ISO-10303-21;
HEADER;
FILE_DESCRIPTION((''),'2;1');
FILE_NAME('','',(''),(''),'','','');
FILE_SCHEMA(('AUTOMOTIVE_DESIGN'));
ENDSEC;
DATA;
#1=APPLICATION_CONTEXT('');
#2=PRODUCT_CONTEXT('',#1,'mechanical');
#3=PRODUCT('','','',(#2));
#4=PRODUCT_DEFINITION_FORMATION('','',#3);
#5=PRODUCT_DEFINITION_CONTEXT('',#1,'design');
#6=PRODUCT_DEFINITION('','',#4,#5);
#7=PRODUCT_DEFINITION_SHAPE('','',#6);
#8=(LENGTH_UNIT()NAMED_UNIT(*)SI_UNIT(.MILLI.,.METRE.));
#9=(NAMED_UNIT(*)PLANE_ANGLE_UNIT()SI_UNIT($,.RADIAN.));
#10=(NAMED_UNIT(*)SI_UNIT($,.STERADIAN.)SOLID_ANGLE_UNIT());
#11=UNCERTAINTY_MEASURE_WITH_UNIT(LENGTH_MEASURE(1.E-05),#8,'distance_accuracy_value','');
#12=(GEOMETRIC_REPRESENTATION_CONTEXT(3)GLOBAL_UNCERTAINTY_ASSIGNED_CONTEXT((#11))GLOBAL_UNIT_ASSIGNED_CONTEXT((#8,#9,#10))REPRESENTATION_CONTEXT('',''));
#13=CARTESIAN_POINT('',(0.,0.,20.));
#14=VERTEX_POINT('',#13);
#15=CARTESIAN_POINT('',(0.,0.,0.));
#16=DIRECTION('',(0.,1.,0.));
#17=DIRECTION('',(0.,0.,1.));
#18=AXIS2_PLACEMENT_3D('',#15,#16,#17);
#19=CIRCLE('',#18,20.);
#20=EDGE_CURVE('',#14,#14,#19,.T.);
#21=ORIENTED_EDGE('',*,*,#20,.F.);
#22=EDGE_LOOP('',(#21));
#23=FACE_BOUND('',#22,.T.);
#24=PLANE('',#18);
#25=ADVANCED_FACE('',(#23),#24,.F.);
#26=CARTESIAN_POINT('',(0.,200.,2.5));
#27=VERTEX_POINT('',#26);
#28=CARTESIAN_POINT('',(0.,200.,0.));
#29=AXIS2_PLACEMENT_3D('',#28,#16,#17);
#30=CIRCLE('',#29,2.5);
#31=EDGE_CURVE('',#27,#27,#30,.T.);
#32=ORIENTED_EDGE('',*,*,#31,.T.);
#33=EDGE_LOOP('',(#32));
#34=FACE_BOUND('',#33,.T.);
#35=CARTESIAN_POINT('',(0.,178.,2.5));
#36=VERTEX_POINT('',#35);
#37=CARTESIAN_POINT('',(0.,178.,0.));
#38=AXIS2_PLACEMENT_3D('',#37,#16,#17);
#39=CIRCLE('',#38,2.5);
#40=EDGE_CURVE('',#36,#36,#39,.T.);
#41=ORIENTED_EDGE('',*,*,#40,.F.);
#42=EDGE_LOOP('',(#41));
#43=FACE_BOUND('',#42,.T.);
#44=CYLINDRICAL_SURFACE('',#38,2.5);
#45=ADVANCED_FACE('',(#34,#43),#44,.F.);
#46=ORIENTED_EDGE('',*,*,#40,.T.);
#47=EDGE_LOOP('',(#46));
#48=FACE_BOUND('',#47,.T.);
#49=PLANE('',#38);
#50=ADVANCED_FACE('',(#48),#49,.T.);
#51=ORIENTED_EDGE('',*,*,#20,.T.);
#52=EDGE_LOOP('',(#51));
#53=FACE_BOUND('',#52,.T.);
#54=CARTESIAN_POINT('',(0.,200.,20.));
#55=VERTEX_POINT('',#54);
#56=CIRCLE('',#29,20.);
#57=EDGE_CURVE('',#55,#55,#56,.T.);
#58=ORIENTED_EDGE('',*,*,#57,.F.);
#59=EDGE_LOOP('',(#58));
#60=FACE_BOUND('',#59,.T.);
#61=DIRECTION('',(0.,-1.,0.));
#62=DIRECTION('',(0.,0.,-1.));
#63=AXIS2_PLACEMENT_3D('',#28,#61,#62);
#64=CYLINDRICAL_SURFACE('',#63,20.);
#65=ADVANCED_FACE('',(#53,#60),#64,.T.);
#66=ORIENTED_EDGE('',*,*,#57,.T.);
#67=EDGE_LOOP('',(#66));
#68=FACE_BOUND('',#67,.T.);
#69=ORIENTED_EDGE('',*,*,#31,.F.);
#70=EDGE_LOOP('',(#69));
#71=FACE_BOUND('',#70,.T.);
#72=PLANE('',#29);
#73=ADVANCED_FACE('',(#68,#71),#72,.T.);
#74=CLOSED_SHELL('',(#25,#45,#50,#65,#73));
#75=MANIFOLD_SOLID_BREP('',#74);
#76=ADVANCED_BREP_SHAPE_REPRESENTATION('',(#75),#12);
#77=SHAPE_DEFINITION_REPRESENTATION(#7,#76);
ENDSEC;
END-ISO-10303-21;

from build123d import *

# Parameters (mm, degrees)
SKETCH_1_R          = 20
EXTRUDE_1_DEPTH     = 200
SKETCH_2_R          = 2.5
CUT_EXTRUDE_1_DEPTH = 22


with BuildPart() as part:
    # 草图1 → 凸台-拉伸1 (new body)
    with BuildSketch(Plane(origin=(0, 0, 0), x_dir=(1, 0, 0), z_dir=(0, 1, 0))):
        with Locations(Location((0, 0, 0), (0, 0, 270))):
            Circle(SKETCH_1_R)
    extrude(amount=EXTRUDE_1_DEPTH)

    # 草图2 → 切除-拉伸1 (cut)
    with BuildSketch(Plane(origin=(0, 200, 0), x_dir=(1, 0, 0), z_dir=(0, 1, 0))):
        with Locations(Location((0, 0, 0), (0, 0, 270))):
            Circle(SKETCH_2_R)
    extrude(amount=-CUT_EXTRUDE_1_DEPTH, mode=Mode.SUBTRACT)


solid = part.part
